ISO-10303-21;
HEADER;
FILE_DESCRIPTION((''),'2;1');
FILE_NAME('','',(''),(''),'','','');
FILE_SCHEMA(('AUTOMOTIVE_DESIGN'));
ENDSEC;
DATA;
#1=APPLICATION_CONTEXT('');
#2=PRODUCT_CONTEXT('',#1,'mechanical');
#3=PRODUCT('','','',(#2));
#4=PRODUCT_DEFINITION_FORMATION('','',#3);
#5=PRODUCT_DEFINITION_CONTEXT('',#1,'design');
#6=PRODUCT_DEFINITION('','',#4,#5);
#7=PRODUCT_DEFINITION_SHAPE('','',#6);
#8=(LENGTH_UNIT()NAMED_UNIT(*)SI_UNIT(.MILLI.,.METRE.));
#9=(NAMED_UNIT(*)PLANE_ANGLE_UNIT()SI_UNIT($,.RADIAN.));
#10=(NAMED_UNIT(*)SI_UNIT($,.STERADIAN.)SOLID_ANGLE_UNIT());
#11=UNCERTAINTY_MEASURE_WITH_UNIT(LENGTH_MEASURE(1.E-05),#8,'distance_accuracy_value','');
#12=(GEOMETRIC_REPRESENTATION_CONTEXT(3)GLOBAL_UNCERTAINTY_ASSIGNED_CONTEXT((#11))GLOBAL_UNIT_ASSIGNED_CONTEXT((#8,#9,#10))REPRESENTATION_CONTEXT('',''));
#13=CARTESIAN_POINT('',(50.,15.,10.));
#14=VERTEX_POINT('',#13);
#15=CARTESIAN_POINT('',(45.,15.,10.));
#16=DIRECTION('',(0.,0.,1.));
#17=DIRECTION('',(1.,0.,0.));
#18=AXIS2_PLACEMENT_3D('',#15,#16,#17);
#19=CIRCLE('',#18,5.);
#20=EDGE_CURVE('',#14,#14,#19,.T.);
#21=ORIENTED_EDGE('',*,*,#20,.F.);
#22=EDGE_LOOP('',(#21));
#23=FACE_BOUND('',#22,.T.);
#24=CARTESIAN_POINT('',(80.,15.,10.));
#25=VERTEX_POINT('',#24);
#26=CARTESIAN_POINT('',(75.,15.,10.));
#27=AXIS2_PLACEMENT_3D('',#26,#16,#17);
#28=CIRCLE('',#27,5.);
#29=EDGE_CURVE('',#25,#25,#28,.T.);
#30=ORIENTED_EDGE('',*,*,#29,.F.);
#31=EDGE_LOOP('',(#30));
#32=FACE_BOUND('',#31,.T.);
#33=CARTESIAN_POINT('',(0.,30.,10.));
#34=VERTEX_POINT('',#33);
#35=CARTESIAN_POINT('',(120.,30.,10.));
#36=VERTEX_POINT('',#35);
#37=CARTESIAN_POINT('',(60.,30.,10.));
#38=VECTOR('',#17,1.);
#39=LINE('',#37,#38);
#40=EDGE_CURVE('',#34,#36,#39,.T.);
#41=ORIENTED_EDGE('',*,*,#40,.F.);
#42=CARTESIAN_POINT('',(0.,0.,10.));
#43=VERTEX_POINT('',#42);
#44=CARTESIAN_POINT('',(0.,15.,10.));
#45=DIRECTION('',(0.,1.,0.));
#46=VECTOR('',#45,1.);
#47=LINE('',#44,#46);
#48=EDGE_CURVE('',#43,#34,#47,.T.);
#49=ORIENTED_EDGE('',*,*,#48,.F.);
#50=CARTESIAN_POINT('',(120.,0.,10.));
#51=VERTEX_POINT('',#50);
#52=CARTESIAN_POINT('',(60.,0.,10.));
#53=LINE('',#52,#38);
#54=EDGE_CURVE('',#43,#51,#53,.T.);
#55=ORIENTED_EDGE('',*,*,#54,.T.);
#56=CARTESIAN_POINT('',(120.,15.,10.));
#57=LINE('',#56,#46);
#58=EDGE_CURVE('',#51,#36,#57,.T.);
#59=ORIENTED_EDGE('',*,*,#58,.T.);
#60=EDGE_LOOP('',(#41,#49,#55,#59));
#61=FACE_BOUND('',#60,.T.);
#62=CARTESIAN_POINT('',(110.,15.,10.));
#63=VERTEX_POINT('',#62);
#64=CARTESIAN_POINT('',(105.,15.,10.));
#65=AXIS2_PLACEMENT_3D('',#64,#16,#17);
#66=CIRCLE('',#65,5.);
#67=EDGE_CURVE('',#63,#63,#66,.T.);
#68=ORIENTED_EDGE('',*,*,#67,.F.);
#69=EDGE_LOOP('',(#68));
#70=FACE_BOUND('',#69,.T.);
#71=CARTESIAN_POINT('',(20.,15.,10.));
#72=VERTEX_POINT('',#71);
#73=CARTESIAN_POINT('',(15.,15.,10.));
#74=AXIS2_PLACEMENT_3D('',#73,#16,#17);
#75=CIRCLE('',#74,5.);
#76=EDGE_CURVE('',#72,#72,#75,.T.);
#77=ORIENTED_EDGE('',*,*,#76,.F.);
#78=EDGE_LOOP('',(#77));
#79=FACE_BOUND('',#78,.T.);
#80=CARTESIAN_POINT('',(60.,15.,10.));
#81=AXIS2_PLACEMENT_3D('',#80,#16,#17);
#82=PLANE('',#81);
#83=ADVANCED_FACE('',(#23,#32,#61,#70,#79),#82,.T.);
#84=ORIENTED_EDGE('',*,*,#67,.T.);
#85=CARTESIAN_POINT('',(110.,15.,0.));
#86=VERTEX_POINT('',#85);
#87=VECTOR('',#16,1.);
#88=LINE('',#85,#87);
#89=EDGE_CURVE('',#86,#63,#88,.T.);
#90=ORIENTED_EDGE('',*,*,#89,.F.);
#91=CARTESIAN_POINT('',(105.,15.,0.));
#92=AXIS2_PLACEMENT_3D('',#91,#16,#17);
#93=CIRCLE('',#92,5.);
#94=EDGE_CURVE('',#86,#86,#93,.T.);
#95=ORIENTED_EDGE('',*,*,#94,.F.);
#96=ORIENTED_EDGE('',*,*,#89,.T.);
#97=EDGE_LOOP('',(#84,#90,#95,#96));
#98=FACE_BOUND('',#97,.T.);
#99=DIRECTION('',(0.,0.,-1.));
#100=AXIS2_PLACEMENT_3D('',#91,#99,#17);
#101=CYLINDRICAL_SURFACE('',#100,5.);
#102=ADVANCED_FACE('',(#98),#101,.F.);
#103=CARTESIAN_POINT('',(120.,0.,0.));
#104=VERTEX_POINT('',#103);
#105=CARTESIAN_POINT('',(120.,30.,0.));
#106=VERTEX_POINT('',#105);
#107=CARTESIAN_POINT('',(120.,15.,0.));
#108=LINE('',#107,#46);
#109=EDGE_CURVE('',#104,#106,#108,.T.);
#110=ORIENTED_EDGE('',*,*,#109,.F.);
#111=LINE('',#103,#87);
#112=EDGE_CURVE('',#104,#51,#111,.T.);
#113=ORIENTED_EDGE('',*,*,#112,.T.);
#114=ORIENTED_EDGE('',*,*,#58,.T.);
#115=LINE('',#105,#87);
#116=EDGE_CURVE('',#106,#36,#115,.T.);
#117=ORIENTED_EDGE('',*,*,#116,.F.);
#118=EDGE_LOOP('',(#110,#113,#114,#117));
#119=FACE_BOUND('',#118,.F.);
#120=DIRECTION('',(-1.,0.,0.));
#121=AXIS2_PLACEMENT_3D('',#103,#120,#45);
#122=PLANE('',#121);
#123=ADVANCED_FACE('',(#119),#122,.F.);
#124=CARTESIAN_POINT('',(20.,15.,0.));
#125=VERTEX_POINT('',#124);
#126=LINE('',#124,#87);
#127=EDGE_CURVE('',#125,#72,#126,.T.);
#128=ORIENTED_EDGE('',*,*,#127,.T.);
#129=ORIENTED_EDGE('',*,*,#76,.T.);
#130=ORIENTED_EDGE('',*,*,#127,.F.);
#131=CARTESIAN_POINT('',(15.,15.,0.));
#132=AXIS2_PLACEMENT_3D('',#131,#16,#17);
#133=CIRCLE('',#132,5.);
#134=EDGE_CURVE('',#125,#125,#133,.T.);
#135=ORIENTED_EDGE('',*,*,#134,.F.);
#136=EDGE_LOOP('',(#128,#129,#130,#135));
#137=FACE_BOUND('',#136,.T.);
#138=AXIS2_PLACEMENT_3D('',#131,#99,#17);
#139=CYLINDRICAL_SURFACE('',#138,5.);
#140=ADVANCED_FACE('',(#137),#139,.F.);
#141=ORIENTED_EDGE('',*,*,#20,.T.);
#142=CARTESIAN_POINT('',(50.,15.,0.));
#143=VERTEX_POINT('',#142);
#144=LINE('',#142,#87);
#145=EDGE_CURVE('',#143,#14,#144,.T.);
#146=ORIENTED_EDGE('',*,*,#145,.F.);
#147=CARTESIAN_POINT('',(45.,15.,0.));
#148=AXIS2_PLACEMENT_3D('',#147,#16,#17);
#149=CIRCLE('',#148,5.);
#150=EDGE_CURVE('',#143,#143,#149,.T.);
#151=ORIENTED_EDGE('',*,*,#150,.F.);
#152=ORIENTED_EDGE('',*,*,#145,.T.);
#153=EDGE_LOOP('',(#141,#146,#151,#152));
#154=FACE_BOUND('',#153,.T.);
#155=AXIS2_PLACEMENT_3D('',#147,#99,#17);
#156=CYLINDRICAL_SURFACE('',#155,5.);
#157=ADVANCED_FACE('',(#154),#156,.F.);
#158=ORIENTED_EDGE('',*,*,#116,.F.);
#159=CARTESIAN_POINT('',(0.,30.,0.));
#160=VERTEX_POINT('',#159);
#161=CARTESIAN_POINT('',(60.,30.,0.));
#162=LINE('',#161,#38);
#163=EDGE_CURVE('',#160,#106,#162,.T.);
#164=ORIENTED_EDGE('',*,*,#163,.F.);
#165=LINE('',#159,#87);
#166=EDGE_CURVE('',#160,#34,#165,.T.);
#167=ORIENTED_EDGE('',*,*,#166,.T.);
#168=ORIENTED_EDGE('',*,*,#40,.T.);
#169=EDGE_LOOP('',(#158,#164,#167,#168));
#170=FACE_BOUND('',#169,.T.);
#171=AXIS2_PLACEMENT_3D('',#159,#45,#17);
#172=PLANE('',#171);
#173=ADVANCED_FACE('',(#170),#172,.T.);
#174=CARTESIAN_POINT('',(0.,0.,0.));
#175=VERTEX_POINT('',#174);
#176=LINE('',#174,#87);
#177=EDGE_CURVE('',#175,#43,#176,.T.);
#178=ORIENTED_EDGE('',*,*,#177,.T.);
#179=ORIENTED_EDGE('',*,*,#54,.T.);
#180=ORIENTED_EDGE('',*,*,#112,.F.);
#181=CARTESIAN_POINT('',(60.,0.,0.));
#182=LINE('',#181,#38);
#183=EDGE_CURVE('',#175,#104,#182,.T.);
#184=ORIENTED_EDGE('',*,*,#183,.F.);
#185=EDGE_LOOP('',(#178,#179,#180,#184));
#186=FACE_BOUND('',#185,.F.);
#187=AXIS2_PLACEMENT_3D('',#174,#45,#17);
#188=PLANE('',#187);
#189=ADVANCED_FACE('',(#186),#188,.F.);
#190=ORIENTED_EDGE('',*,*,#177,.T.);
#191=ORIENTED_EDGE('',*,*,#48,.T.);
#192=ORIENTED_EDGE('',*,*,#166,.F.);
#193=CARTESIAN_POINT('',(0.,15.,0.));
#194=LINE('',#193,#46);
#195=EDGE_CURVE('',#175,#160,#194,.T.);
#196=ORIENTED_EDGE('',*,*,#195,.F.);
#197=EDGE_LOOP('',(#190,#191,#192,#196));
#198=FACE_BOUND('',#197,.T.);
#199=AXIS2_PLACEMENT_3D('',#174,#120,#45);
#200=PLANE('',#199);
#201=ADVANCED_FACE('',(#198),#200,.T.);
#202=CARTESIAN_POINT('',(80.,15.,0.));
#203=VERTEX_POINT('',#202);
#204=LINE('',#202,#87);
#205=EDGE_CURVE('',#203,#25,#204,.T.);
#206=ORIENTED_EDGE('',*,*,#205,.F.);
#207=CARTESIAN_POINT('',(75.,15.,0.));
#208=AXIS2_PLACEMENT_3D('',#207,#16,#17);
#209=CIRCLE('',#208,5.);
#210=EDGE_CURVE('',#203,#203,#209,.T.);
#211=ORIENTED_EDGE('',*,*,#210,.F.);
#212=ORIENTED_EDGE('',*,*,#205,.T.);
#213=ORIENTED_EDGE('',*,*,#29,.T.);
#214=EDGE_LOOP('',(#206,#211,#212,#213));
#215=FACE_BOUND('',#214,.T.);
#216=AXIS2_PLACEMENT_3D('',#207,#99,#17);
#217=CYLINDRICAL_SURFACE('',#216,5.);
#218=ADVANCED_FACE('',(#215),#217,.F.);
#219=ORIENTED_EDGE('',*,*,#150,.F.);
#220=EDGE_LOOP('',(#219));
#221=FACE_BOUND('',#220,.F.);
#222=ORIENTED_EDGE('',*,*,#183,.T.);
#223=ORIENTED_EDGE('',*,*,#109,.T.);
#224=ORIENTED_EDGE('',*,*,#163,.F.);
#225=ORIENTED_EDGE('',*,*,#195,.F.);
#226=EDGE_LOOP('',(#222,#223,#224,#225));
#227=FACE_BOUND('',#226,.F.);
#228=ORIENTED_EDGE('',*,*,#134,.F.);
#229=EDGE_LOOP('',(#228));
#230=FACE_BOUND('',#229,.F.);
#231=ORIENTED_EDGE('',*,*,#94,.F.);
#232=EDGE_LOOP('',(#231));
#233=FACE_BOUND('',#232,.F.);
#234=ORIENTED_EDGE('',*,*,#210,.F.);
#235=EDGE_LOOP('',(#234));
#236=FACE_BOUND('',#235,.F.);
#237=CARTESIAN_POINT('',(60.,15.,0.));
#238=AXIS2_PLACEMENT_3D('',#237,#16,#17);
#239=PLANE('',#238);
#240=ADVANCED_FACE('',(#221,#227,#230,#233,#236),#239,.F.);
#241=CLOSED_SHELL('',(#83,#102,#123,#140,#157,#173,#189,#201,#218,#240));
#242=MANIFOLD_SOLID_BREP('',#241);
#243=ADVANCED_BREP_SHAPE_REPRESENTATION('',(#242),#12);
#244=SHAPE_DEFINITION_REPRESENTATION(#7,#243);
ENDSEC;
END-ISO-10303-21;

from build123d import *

# Parameters (mm, degrees)
SKETCH1_W           = 120
SKETCH1_H           = 30
SKETCH1_R           = 5
BOSS_EXTRUDE1_DEPTH = 10


with BuildPart() as part:
    # Sketch1 → Boss-Extrude1 (new body)
    with BuildSketch(Plane.XY):
        with Locations((60, 15)):
            Rectangle(SKETCH1_W, SKETCH1_H)
        with Locations((15, 15)):
            Circle(SKETCH1_R, mode=Mode.SUBTRACT)
        with Locations((45, 15)):
            Circle(SKETCH1_R, mode=Mode.SUBTRACT)
        with Locations((75, 15)):
            Circle(SKETCH1_R, mode=Mode.SUBTRACT)
        with Locations((105, 15)):
            Circle(SKETCH1_R, mode=Mode.SUBTRACT)
    extrude(amount=BOSS_EXTRUDE1_DEPTH)


solid = part.part
